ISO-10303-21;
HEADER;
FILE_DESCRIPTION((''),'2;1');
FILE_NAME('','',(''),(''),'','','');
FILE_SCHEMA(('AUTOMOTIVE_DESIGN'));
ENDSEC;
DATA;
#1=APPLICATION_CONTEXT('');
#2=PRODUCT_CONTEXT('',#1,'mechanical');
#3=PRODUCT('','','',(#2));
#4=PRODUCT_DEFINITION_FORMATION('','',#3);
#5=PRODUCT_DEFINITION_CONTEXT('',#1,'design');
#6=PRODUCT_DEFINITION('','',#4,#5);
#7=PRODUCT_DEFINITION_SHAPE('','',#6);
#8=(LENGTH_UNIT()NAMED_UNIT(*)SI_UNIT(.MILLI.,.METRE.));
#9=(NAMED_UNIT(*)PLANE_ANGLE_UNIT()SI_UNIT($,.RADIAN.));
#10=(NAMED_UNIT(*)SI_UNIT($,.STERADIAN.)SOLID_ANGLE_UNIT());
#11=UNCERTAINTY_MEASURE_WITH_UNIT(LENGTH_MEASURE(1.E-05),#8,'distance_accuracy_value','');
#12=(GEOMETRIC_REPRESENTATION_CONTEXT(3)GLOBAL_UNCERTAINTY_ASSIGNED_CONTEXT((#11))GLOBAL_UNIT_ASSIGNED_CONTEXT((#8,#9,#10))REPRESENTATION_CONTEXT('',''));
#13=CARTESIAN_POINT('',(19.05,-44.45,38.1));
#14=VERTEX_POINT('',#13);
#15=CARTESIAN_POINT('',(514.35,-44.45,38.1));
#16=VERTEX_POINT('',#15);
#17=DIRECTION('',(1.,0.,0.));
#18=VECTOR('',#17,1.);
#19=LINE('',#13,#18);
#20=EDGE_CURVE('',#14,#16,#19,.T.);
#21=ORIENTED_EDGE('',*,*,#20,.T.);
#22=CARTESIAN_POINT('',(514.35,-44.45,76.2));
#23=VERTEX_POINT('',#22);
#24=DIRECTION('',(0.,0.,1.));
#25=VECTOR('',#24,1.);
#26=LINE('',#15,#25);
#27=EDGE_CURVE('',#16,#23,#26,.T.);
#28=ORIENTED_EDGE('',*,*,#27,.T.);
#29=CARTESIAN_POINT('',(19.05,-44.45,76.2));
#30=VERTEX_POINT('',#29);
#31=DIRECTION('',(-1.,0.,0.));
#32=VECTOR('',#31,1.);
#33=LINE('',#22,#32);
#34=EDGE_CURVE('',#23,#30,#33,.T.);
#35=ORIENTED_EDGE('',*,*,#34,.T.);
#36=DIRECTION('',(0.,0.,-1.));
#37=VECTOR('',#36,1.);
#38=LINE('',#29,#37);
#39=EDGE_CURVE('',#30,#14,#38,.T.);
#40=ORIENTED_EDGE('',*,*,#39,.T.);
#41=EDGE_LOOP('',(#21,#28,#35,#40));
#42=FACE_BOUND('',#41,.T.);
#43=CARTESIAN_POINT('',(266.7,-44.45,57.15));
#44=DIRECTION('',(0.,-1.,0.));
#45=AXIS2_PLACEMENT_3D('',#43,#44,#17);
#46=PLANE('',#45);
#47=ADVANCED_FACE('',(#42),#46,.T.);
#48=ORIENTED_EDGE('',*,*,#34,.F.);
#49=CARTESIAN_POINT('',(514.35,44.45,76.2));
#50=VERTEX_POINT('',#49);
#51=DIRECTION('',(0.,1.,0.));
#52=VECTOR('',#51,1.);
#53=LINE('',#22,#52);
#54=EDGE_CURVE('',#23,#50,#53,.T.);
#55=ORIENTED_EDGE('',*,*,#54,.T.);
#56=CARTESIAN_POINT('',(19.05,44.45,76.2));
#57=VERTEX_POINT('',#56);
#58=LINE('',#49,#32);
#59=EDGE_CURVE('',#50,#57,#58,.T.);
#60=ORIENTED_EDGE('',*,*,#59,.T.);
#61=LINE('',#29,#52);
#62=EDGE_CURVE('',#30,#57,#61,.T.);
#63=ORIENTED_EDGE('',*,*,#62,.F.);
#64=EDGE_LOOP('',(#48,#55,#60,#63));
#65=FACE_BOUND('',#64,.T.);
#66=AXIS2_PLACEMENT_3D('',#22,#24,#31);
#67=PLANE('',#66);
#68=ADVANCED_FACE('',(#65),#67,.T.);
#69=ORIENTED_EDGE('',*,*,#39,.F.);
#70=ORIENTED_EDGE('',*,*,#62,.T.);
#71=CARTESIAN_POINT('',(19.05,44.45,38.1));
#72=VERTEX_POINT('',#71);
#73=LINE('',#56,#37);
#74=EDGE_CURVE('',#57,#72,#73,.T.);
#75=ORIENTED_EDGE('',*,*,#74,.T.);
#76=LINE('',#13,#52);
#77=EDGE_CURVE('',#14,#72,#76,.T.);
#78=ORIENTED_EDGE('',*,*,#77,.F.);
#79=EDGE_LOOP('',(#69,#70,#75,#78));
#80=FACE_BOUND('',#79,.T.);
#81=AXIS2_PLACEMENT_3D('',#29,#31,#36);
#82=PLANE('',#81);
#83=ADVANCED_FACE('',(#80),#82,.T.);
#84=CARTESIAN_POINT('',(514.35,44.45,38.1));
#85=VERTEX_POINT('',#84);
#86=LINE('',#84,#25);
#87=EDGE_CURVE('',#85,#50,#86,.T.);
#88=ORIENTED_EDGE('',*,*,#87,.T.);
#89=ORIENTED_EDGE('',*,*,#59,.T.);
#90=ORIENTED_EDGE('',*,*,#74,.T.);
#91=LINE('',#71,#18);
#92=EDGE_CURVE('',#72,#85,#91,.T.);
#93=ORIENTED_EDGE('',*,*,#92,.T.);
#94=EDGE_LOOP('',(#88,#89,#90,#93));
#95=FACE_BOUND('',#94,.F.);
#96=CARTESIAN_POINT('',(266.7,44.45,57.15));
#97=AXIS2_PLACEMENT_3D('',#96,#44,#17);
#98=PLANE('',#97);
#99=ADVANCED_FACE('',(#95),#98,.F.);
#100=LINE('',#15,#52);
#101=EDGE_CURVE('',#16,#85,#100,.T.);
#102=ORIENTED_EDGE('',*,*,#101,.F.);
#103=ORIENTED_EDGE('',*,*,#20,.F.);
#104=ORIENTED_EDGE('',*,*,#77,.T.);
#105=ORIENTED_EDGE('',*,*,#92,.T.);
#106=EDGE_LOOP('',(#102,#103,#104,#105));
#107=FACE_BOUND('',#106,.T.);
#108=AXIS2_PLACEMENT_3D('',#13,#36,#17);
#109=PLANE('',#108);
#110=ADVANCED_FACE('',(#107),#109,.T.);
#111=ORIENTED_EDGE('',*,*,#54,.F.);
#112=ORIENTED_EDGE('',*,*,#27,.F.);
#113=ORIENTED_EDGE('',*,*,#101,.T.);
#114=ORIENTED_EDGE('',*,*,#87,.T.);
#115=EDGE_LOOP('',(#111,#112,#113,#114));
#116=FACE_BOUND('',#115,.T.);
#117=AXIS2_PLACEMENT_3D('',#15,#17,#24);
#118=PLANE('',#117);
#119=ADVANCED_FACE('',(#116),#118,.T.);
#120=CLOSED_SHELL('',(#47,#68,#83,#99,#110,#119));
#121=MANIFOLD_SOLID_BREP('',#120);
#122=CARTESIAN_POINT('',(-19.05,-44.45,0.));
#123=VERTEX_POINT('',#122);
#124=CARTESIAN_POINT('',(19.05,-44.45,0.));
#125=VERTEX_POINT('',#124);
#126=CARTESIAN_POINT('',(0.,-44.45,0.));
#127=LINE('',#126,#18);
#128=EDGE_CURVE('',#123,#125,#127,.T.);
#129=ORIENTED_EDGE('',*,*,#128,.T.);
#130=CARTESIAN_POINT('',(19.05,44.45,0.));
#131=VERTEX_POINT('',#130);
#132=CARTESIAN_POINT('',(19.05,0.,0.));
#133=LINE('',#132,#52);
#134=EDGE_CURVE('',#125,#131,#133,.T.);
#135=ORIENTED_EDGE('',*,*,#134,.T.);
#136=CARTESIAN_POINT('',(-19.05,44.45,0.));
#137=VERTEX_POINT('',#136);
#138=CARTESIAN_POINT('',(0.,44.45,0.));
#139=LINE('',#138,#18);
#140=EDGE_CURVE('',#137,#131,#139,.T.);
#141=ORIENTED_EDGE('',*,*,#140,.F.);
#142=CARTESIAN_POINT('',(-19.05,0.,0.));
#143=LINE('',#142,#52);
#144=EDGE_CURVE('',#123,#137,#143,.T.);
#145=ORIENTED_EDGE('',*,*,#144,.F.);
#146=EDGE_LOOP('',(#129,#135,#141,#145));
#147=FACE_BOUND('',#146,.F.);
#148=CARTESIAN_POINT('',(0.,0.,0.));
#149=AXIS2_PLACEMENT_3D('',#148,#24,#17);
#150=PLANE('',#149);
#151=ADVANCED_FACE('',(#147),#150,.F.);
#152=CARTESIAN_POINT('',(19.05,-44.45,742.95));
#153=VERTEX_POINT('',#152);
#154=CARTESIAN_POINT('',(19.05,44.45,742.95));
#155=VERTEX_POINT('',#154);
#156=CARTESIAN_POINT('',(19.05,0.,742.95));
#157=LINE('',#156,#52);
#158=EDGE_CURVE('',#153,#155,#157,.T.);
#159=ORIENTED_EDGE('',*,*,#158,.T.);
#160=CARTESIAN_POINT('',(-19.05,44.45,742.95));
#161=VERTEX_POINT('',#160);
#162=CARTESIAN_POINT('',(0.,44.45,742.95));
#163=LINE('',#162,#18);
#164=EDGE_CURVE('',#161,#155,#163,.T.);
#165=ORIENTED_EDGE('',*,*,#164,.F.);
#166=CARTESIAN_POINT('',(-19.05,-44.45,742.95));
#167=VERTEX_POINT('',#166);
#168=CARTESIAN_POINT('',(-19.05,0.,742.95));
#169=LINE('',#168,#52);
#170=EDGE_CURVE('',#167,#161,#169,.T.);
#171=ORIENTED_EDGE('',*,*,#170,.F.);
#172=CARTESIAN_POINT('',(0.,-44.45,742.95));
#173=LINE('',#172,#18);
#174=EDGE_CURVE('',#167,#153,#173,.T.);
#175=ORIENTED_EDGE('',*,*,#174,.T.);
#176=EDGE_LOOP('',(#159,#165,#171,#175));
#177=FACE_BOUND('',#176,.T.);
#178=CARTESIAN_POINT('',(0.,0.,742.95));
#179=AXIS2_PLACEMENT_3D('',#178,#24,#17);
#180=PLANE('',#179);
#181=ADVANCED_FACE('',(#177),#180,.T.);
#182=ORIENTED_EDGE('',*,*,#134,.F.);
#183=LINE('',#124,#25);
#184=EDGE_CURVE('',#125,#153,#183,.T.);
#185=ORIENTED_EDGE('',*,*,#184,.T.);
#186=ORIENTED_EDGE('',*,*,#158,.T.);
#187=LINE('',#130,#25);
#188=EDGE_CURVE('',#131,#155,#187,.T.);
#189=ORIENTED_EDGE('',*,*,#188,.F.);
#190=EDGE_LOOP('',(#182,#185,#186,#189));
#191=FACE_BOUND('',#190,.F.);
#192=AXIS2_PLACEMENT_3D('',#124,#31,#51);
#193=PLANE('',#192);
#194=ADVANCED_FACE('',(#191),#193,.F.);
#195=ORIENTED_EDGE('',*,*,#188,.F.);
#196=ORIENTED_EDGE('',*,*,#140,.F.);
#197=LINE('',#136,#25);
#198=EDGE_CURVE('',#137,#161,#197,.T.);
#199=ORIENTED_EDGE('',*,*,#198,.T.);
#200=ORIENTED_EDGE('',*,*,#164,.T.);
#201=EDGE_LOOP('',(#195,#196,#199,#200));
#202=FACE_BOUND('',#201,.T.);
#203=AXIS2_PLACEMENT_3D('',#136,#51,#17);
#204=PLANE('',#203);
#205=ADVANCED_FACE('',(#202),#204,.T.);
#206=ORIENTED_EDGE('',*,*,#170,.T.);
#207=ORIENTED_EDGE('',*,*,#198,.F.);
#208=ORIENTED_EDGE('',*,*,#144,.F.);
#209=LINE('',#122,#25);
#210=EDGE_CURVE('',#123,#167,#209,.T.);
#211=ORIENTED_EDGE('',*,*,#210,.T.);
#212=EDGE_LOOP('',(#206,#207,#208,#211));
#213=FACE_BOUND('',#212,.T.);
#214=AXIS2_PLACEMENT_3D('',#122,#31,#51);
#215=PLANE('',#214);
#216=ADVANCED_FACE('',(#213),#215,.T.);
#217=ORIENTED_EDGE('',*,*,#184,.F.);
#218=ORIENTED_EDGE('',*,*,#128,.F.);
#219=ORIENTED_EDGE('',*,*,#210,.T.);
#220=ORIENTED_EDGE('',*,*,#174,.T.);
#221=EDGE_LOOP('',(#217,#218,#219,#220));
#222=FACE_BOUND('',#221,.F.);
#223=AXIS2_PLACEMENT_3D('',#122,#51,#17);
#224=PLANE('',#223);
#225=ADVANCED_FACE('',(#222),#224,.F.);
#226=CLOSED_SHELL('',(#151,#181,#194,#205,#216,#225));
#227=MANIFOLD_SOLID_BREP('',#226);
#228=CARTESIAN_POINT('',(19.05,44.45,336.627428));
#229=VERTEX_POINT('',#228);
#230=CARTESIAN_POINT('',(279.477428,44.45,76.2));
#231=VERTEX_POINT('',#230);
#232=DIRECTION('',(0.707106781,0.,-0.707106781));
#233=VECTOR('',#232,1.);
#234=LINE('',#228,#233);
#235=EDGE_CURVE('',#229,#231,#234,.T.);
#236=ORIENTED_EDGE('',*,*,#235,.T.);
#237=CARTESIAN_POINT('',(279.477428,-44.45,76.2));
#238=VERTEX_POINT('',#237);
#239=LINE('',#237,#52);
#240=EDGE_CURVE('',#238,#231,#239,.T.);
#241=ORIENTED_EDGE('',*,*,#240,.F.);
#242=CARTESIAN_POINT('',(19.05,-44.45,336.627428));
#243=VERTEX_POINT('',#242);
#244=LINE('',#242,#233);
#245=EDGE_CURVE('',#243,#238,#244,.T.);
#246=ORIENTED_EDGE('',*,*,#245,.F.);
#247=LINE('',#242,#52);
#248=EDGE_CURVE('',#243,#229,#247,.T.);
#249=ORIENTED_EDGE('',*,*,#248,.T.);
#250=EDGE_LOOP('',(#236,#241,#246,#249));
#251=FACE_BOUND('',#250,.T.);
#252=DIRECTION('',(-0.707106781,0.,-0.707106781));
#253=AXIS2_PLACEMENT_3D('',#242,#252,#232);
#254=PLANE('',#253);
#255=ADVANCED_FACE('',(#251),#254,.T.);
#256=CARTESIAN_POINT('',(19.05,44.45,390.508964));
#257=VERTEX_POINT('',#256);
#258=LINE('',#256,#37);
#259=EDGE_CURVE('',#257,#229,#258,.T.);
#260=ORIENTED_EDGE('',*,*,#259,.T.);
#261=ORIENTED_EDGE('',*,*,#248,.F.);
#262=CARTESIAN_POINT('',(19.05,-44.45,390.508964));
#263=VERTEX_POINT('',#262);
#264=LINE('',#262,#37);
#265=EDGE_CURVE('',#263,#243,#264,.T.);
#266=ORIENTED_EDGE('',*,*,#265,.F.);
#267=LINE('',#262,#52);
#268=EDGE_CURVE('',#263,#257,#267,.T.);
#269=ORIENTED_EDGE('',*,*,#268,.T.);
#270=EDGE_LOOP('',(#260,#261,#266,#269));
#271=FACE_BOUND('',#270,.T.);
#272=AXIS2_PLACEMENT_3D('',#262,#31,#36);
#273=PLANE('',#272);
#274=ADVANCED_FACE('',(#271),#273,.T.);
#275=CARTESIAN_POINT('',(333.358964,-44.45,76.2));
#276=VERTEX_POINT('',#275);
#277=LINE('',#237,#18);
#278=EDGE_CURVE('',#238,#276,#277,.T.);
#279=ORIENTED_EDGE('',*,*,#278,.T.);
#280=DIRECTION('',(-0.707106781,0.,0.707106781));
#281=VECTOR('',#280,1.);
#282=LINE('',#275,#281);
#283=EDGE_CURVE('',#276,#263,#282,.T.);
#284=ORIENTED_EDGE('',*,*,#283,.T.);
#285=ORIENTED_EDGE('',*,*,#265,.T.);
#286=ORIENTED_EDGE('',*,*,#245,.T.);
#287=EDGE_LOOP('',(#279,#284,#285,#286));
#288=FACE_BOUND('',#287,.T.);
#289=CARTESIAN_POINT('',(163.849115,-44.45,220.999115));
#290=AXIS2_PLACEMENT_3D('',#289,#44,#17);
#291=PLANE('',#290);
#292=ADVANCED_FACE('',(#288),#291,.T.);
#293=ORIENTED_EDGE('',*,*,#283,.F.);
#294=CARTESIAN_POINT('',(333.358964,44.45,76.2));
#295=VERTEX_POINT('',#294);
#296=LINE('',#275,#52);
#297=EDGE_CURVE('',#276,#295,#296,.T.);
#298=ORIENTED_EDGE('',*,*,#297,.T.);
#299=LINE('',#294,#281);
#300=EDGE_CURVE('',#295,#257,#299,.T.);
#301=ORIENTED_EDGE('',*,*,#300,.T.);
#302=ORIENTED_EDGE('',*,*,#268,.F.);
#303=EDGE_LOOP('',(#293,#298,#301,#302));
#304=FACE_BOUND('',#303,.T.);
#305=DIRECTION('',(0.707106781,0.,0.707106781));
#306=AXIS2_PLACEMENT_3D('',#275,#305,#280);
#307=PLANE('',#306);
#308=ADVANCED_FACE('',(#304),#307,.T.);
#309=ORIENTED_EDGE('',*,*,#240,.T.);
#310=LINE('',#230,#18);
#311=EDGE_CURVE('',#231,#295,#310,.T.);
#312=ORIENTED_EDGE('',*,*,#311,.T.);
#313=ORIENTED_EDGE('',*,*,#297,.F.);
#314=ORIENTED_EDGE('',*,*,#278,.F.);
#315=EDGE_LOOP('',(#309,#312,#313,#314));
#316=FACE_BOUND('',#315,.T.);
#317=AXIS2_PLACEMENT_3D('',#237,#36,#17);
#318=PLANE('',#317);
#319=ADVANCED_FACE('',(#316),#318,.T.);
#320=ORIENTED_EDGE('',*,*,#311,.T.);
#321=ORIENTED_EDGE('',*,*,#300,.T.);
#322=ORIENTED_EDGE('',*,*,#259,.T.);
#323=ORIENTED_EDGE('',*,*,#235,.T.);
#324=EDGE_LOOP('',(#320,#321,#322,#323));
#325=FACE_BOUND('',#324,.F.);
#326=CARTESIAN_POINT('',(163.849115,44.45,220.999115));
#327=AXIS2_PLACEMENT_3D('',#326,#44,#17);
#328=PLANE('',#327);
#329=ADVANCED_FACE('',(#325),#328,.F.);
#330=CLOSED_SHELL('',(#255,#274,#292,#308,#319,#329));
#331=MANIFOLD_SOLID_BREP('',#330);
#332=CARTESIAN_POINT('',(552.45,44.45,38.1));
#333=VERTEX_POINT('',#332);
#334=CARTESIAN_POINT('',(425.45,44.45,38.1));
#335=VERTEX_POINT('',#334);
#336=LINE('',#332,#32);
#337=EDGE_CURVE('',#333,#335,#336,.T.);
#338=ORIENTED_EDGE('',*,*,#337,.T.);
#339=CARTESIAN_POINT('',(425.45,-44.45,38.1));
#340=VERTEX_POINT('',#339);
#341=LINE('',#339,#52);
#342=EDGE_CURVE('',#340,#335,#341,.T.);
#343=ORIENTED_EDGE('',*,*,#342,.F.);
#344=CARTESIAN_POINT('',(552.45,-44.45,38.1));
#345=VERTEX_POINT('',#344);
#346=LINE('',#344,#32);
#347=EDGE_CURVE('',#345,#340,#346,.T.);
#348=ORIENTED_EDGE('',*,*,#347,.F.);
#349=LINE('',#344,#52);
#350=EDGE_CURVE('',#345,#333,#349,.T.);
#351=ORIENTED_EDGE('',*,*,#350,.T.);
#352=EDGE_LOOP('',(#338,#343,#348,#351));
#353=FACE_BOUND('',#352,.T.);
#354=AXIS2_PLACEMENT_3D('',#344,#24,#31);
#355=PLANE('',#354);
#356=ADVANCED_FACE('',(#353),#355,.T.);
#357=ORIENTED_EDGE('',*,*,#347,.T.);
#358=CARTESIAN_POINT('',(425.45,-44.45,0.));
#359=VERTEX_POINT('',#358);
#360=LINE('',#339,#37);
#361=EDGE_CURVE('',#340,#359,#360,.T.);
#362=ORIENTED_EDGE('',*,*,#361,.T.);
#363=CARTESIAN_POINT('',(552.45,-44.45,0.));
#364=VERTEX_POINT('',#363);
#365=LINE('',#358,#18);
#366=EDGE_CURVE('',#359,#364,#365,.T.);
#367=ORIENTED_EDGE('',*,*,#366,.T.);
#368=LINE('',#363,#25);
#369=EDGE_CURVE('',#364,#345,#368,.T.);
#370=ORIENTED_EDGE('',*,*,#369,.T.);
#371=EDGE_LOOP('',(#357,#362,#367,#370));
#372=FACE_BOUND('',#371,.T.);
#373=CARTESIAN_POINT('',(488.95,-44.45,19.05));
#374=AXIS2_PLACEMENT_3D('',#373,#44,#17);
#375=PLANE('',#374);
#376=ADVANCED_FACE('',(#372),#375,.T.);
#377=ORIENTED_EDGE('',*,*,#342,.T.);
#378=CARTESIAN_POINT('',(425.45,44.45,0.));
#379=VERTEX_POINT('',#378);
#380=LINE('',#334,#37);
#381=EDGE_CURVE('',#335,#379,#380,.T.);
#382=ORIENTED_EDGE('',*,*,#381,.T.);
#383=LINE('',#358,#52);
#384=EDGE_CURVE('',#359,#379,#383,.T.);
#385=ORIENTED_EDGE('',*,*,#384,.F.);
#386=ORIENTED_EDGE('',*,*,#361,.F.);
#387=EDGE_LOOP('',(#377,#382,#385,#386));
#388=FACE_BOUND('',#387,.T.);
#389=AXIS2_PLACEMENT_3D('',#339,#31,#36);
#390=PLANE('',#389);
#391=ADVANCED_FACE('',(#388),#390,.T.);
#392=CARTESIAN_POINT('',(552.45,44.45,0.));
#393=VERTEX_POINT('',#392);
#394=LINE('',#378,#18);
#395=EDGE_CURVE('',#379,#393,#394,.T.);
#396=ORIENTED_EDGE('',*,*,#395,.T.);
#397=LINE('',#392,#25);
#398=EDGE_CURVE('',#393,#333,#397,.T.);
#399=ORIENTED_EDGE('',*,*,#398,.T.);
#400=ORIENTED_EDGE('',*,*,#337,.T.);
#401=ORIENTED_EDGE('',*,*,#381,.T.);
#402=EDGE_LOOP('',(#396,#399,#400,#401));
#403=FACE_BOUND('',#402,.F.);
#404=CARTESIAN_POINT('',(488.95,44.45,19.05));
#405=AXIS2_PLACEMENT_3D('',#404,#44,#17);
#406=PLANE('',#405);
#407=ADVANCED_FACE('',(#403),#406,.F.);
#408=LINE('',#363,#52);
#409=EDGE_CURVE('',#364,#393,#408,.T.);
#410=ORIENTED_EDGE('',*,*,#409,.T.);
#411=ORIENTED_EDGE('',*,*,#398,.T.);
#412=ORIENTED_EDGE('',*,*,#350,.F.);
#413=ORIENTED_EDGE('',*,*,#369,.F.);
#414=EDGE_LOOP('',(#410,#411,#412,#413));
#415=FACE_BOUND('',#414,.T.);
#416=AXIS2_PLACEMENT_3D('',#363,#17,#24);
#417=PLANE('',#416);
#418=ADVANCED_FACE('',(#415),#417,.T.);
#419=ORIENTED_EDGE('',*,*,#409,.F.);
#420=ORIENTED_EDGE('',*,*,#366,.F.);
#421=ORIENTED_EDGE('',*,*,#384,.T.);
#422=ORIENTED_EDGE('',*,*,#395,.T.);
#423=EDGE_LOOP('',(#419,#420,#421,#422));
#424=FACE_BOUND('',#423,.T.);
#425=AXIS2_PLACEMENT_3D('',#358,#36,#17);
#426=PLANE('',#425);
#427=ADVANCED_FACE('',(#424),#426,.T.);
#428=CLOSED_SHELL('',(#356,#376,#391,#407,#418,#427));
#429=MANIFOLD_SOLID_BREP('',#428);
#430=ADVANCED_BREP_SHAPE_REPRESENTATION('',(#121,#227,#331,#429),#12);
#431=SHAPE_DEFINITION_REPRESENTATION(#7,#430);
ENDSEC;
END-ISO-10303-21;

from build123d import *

# Parameters (mm, degrees)
F0_W     = 38.1
F0_H     = 88.9
F1_DEPTH = 742.95
F3_DEPTH = 88.9
F4_DEPTH = 88.9
F5_DEPTH = 88.9


with BuildPart() as f1:
    # F0 (on Top) → F1 (new body)
    with BuildSketch(Plane.XY):
        Rectangle(F0_W, F0_H)
    extrude(amount=F1_DEPTH)


with BuildPart() as f3:
    # F2 (on face) → F3 (new body)
    with BuildSketch(Plane.XZ.offset(44.45)):
        Polygon((333.358964, 76.2), (279.477428, 76.2), (19.05, 76.2), (19.05, 38.1), (425.45, 38.1), (514.35, 38.1), (514.35, 76.2), align=None)
    extrude(amount=-F3_DEPTH)


with BuildPart() as f4:
    # F2 (on face) → F4 (new body)
    with BuildSketch(Plane.XZ.offset(44.45)):
        Polygon((19.05, 363.568196), (19.05, 336.627428), (279.477428, 76.2), (333.358964, 76.2), (19.05, 390.508964), align=None)
    extrude(amount=-F4_DEPTH)


with BuildPart() as f5:
    # F2 (on face) → F5 (new body)
    with BuildSketch(Plane.XZ.offset(44.45)):
        Polygon((514.35, 38.1), (425.45, 38.1), (425.45, 0), (552.45, 0), (552.45, 38.1), align=None)
    extrude(amount=-F5_DEPTH)


solid = Compound([f1.part, f3.part, f4.part, f5.part])
